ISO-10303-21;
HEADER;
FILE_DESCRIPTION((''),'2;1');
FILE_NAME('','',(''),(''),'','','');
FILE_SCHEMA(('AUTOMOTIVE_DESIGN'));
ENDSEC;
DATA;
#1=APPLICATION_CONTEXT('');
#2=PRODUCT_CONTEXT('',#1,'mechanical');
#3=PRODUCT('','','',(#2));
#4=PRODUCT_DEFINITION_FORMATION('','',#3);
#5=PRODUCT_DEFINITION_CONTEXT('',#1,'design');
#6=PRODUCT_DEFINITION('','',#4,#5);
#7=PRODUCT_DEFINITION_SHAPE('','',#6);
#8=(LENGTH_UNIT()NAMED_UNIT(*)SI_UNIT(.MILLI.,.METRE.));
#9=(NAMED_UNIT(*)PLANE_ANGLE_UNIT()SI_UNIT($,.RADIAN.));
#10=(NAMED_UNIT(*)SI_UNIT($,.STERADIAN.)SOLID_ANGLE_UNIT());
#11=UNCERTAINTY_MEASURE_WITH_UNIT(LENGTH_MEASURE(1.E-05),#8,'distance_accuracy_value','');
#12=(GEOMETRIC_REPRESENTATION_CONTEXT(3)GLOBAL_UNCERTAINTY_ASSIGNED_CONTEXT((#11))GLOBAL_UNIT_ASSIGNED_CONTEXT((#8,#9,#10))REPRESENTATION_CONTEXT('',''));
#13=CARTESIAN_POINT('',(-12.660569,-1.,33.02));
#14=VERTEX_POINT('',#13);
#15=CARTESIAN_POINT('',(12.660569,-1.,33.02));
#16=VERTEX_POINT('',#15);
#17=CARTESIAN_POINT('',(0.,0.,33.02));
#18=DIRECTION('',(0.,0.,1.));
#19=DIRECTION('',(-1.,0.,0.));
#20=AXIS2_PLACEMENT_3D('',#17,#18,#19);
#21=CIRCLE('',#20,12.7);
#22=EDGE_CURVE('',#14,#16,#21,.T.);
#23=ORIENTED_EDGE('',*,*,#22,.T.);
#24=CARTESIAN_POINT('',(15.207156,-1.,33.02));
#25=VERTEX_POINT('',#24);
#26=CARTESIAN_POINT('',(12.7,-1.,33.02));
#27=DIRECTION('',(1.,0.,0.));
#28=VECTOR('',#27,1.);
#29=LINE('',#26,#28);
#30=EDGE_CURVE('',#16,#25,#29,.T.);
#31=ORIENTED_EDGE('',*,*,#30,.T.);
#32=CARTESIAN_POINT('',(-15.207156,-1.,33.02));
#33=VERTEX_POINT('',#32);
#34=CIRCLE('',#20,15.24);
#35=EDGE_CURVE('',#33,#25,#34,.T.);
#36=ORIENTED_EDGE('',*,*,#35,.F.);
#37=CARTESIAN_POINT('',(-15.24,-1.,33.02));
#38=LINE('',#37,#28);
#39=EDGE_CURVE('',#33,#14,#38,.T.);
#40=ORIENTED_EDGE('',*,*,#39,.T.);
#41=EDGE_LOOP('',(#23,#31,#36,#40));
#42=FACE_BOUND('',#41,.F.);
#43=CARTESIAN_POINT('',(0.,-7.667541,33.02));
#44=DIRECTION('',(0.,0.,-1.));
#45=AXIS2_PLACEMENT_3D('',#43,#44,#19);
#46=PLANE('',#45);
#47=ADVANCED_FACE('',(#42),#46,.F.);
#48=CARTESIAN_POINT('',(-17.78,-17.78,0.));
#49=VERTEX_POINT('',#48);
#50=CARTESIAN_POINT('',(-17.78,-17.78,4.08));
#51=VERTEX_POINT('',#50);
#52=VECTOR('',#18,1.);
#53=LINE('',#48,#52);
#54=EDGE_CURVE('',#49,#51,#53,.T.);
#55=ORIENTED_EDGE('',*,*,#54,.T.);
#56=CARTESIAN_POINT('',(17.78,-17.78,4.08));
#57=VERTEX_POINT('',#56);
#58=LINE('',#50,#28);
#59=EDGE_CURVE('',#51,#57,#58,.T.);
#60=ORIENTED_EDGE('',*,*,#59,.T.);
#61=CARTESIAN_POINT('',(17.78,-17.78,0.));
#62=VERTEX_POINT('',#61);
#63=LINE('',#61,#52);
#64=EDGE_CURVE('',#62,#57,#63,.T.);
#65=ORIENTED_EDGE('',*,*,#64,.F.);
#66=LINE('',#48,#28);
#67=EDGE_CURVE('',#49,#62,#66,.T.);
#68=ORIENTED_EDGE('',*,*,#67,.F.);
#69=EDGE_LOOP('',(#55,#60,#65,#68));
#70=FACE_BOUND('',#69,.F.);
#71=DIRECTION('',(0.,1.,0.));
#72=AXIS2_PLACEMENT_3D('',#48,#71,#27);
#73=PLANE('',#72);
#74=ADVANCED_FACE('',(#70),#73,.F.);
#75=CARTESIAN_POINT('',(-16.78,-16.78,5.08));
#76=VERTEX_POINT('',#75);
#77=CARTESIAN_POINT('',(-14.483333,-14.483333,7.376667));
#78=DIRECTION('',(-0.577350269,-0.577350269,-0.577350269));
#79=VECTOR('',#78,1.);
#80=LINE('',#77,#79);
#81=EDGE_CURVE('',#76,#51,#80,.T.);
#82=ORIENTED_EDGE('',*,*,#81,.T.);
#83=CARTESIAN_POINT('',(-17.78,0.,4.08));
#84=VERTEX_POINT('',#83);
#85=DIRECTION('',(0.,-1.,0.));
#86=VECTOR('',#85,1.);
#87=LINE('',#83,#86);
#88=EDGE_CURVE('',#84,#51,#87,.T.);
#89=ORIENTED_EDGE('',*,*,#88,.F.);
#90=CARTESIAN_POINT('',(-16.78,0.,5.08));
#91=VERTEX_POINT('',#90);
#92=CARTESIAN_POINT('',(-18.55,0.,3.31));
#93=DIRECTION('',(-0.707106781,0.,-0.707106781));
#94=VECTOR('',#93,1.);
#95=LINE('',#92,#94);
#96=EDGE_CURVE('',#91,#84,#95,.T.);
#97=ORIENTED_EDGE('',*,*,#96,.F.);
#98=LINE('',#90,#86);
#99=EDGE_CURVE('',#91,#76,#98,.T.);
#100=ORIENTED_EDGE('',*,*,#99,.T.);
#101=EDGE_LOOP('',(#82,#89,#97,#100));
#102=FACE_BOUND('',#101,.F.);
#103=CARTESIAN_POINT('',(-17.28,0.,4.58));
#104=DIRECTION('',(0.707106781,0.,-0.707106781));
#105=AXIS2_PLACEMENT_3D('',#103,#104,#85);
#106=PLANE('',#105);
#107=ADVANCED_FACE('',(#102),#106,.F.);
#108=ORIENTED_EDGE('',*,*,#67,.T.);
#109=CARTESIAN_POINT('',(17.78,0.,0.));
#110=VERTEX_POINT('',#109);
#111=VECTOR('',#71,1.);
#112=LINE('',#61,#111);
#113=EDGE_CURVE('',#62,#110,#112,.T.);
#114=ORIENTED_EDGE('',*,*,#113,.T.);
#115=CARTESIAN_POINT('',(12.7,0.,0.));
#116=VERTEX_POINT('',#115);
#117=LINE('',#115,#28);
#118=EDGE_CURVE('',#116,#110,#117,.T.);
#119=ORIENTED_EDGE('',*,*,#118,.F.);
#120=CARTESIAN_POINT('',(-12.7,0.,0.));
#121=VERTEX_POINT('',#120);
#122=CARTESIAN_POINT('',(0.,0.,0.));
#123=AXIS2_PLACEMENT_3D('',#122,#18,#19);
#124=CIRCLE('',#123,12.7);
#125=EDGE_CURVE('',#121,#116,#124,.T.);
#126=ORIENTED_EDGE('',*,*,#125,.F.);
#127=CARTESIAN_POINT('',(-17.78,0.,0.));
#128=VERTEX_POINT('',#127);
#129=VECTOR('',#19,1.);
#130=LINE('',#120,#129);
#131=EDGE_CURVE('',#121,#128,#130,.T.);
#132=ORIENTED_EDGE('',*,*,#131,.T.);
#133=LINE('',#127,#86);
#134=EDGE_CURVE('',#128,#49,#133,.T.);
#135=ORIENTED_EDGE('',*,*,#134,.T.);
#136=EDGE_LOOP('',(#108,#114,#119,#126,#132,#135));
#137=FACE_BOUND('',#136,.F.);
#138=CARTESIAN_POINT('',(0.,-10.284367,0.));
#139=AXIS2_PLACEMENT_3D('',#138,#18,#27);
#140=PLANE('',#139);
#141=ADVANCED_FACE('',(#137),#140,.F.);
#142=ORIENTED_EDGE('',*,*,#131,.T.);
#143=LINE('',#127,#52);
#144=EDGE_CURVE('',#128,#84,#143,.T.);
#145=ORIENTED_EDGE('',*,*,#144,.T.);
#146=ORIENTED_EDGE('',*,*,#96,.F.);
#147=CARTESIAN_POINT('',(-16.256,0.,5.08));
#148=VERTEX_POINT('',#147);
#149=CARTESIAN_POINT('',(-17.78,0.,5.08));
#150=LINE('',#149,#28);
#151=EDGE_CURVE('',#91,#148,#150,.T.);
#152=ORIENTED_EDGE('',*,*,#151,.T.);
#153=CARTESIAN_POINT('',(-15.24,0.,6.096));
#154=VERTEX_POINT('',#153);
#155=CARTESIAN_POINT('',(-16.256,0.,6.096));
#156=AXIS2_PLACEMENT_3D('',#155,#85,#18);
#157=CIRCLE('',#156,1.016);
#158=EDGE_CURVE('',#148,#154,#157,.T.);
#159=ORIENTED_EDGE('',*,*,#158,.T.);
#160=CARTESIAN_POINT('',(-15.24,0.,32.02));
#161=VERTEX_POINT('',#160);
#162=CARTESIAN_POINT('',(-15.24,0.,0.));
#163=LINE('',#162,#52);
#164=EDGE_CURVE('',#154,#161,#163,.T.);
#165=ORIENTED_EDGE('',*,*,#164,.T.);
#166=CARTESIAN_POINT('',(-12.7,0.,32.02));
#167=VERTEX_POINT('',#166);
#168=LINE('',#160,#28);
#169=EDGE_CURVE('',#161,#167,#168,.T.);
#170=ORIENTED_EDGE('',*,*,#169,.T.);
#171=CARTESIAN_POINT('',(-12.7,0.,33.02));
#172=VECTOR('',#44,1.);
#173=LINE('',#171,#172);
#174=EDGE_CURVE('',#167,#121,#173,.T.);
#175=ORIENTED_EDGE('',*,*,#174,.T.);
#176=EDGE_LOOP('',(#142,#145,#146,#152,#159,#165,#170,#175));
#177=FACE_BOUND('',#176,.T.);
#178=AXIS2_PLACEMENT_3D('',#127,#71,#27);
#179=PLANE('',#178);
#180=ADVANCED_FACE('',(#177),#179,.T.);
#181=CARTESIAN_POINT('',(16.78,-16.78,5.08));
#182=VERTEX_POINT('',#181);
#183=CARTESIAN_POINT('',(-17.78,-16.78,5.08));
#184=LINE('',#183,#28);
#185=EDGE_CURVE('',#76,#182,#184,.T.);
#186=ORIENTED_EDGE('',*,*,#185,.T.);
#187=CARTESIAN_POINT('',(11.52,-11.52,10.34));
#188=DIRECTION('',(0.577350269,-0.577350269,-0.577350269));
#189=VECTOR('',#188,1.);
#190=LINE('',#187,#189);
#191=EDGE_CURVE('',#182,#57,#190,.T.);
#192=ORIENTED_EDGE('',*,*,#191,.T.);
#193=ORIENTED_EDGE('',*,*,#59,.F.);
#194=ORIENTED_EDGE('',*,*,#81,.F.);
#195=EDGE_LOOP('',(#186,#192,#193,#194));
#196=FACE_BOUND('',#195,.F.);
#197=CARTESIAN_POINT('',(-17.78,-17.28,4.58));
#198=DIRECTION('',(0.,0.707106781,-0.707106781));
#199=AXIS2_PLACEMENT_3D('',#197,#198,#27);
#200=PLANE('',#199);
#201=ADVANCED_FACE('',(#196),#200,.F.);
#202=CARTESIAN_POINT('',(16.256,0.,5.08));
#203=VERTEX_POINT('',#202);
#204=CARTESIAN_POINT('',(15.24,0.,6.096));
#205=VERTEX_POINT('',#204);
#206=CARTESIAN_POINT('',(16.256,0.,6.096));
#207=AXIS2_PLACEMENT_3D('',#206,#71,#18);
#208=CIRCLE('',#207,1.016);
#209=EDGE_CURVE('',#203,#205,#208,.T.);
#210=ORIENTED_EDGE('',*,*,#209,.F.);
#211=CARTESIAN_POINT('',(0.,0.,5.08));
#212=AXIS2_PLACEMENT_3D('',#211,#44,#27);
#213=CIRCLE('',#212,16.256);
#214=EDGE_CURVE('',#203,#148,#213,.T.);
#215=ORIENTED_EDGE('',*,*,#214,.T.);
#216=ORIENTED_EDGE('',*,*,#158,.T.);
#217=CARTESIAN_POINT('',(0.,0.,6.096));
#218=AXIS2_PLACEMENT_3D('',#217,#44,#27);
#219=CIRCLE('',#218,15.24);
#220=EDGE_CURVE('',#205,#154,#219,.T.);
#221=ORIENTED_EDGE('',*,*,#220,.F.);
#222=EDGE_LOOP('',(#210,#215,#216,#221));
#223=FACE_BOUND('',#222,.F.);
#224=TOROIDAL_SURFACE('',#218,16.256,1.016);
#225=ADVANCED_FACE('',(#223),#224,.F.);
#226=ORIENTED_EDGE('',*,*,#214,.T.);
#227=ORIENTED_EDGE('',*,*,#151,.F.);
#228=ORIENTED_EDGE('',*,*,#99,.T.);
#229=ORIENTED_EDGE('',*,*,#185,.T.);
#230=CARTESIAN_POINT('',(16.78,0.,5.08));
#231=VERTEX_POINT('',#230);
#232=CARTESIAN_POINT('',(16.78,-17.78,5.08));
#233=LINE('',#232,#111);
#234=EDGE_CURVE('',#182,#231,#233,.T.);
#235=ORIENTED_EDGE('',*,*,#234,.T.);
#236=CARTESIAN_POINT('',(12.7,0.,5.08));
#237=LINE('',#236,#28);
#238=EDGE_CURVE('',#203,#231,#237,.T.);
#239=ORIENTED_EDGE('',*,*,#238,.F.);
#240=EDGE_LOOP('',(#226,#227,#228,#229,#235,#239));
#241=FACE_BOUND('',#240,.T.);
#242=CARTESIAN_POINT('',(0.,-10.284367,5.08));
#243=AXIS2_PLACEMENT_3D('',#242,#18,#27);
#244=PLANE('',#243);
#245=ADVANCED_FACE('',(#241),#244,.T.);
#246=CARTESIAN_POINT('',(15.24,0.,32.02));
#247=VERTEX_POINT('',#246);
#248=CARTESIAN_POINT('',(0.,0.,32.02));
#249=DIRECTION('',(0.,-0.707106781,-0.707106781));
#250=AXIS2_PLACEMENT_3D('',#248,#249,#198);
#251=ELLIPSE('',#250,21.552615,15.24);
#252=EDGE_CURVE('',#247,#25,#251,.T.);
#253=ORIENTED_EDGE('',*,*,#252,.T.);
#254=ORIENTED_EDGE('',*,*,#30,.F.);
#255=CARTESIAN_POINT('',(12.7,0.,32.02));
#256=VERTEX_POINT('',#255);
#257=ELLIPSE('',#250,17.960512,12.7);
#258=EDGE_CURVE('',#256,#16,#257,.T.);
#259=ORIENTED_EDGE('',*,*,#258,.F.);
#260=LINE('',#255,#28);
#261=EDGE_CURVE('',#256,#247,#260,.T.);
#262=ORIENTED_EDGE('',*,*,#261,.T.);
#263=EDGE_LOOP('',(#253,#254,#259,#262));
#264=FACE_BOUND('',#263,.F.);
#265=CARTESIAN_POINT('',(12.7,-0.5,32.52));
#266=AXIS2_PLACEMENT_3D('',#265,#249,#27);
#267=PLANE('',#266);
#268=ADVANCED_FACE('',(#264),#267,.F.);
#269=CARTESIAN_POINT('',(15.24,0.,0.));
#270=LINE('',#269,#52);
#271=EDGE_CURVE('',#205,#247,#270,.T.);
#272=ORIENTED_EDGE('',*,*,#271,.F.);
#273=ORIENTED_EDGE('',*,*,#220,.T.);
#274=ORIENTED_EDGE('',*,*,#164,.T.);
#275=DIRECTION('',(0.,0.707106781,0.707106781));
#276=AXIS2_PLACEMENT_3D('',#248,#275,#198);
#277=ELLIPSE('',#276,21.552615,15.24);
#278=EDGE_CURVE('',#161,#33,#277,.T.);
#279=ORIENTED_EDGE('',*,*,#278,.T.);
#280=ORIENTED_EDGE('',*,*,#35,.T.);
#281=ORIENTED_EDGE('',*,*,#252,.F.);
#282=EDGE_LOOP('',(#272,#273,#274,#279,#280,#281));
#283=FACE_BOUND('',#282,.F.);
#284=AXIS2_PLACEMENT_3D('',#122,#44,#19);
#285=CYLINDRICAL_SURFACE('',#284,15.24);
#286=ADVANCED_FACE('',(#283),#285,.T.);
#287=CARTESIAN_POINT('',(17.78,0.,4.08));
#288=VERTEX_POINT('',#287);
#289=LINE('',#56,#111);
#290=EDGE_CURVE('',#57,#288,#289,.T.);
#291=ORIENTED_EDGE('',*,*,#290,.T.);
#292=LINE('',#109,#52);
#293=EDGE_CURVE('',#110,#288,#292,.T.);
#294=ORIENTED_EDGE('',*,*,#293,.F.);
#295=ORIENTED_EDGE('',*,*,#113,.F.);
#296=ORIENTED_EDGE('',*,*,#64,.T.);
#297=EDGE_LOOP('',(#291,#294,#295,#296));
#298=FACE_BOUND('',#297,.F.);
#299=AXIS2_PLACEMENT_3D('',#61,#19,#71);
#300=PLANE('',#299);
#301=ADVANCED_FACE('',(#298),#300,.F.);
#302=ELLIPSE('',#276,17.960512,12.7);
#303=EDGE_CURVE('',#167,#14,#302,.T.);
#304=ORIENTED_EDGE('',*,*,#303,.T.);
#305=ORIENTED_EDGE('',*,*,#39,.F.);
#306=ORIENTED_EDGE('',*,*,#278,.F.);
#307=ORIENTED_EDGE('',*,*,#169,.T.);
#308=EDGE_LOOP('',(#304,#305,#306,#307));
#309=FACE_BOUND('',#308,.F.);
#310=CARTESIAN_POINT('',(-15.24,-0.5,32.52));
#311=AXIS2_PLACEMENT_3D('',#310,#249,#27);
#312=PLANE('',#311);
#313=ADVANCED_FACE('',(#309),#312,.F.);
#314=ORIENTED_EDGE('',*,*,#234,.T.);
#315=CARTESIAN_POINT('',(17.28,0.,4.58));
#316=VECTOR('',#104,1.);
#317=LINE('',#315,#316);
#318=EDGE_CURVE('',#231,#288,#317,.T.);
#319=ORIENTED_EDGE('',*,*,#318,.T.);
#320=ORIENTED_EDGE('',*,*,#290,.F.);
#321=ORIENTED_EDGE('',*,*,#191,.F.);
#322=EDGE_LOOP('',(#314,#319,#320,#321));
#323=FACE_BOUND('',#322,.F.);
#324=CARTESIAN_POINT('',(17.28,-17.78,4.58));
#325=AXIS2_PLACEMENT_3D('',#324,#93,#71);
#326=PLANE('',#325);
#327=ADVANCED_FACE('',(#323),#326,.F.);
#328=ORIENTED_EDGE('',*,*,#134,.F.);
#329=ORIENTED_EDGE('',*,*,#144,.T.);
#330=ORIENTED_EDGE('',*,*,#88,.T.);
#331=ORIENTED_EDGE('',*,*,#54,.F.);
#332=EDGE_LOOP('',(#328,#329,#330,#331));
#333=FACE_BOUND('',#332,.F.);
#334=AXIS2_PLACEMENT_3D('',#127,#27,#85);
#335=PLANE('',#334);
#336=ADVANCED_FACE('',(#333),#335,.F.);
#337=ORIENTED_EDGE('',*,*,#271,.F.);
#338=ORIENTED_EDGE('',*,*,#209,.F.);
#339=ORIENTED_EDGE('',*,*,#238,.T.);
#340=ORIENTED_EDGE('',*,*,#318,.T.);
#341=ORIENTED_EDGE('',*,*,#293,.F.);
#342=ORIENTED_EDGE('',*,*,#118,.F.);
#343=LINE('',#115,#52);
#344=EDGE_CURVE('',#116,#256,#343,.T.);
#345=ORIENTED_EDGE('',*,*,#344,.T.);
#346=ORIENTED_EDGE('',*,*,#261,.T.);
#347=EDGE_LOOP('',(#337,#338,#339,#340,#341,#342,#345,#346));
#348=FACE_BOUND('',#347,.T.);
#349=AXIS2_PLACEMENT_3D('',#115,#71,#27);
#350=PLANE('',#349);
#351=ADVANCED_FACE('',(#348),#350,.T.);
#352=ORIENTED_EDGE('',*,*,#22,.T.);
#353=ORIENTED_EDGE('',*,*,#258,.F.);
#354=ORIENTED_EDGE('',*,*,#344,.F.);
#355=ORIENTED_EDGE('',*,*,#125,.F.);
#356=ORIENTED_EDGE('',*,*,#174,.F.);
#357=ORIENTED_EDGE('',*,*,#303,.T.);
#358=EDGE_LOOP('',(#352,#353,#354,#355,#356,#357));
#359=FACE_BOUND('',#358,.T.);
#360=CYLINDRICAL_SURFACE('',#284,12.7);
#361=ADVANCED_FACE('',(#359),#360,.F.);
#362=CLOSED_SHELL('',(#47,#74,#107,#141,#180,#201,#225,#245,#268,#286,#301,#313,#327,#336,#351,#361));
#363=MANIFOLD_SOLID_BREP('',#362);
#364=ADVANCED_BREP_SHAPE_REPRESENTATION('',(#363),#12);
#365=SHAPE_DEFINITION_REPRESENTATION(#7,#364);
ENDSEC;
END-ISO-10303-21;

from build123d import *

# Parameters (mm, degrees)
PAD_DEPTH    = 33.02
PAD001_DEPTH = 5.08
FILLET_R     = 1.016
CHAMFER_SIZE = 1


with BuildPart() as part:
    # Sketch001 → Pad (new body)
    with BuildSketch(Plane.XY):
        with BuildLine():
            ThreePointArc((-12.7, 0), (0, -12.7), (12.7, 0))
            Line((12.7, 0), (15.24, 0))
            ThreePointArc((-15.24, 0), (0, -15.24), (15.24, 0))
            Line((-15.24, 0), (-12.7, 0))
        make_face()
    extrude(amount=PAD_DEPTH)

    # Sketch → Pad001 (join)
    with BuildSketch(Plane.XY):
        with BuildLine():
            Line((-17.78, 0), (-17.78, -17.78))
            Line((-17.78, -17.78), (17.78, -17.78))
            Line((17.78, -17.78), (17.78, 0))
            Line((12.7, 0), (17.78, 0))
            ThreePointArc((-12.7, 0), (0, -12.7), (12.7, 0))
            Line((-17.78, 0), (-12.7, 0))
        make_face()
    extrude(amount=PAD001_DEPTH)

    # Fillet
    fillet_edges = [part.edges().sort_by_distance(p)[0] for p in [
        (0, -15.24, 5.08),
    ]]
    fillet(fillet_edges, radius=FILLET_R)

    # Chamfer
    chamfer_edges = [part.edges().sort_by_distance(p)[0] for p in [
        (-13.97, 0, 33.02),
        (13.97, 0, 33.02),
        (-17.78, -8.89, 5.08),
        (17.78, -8.89, 5.08),
        (0, -17.78, 5.08),
    ]]
    chamfer(chamfer_edges, length=CHAMFER_SIZE)


solid = part.part
